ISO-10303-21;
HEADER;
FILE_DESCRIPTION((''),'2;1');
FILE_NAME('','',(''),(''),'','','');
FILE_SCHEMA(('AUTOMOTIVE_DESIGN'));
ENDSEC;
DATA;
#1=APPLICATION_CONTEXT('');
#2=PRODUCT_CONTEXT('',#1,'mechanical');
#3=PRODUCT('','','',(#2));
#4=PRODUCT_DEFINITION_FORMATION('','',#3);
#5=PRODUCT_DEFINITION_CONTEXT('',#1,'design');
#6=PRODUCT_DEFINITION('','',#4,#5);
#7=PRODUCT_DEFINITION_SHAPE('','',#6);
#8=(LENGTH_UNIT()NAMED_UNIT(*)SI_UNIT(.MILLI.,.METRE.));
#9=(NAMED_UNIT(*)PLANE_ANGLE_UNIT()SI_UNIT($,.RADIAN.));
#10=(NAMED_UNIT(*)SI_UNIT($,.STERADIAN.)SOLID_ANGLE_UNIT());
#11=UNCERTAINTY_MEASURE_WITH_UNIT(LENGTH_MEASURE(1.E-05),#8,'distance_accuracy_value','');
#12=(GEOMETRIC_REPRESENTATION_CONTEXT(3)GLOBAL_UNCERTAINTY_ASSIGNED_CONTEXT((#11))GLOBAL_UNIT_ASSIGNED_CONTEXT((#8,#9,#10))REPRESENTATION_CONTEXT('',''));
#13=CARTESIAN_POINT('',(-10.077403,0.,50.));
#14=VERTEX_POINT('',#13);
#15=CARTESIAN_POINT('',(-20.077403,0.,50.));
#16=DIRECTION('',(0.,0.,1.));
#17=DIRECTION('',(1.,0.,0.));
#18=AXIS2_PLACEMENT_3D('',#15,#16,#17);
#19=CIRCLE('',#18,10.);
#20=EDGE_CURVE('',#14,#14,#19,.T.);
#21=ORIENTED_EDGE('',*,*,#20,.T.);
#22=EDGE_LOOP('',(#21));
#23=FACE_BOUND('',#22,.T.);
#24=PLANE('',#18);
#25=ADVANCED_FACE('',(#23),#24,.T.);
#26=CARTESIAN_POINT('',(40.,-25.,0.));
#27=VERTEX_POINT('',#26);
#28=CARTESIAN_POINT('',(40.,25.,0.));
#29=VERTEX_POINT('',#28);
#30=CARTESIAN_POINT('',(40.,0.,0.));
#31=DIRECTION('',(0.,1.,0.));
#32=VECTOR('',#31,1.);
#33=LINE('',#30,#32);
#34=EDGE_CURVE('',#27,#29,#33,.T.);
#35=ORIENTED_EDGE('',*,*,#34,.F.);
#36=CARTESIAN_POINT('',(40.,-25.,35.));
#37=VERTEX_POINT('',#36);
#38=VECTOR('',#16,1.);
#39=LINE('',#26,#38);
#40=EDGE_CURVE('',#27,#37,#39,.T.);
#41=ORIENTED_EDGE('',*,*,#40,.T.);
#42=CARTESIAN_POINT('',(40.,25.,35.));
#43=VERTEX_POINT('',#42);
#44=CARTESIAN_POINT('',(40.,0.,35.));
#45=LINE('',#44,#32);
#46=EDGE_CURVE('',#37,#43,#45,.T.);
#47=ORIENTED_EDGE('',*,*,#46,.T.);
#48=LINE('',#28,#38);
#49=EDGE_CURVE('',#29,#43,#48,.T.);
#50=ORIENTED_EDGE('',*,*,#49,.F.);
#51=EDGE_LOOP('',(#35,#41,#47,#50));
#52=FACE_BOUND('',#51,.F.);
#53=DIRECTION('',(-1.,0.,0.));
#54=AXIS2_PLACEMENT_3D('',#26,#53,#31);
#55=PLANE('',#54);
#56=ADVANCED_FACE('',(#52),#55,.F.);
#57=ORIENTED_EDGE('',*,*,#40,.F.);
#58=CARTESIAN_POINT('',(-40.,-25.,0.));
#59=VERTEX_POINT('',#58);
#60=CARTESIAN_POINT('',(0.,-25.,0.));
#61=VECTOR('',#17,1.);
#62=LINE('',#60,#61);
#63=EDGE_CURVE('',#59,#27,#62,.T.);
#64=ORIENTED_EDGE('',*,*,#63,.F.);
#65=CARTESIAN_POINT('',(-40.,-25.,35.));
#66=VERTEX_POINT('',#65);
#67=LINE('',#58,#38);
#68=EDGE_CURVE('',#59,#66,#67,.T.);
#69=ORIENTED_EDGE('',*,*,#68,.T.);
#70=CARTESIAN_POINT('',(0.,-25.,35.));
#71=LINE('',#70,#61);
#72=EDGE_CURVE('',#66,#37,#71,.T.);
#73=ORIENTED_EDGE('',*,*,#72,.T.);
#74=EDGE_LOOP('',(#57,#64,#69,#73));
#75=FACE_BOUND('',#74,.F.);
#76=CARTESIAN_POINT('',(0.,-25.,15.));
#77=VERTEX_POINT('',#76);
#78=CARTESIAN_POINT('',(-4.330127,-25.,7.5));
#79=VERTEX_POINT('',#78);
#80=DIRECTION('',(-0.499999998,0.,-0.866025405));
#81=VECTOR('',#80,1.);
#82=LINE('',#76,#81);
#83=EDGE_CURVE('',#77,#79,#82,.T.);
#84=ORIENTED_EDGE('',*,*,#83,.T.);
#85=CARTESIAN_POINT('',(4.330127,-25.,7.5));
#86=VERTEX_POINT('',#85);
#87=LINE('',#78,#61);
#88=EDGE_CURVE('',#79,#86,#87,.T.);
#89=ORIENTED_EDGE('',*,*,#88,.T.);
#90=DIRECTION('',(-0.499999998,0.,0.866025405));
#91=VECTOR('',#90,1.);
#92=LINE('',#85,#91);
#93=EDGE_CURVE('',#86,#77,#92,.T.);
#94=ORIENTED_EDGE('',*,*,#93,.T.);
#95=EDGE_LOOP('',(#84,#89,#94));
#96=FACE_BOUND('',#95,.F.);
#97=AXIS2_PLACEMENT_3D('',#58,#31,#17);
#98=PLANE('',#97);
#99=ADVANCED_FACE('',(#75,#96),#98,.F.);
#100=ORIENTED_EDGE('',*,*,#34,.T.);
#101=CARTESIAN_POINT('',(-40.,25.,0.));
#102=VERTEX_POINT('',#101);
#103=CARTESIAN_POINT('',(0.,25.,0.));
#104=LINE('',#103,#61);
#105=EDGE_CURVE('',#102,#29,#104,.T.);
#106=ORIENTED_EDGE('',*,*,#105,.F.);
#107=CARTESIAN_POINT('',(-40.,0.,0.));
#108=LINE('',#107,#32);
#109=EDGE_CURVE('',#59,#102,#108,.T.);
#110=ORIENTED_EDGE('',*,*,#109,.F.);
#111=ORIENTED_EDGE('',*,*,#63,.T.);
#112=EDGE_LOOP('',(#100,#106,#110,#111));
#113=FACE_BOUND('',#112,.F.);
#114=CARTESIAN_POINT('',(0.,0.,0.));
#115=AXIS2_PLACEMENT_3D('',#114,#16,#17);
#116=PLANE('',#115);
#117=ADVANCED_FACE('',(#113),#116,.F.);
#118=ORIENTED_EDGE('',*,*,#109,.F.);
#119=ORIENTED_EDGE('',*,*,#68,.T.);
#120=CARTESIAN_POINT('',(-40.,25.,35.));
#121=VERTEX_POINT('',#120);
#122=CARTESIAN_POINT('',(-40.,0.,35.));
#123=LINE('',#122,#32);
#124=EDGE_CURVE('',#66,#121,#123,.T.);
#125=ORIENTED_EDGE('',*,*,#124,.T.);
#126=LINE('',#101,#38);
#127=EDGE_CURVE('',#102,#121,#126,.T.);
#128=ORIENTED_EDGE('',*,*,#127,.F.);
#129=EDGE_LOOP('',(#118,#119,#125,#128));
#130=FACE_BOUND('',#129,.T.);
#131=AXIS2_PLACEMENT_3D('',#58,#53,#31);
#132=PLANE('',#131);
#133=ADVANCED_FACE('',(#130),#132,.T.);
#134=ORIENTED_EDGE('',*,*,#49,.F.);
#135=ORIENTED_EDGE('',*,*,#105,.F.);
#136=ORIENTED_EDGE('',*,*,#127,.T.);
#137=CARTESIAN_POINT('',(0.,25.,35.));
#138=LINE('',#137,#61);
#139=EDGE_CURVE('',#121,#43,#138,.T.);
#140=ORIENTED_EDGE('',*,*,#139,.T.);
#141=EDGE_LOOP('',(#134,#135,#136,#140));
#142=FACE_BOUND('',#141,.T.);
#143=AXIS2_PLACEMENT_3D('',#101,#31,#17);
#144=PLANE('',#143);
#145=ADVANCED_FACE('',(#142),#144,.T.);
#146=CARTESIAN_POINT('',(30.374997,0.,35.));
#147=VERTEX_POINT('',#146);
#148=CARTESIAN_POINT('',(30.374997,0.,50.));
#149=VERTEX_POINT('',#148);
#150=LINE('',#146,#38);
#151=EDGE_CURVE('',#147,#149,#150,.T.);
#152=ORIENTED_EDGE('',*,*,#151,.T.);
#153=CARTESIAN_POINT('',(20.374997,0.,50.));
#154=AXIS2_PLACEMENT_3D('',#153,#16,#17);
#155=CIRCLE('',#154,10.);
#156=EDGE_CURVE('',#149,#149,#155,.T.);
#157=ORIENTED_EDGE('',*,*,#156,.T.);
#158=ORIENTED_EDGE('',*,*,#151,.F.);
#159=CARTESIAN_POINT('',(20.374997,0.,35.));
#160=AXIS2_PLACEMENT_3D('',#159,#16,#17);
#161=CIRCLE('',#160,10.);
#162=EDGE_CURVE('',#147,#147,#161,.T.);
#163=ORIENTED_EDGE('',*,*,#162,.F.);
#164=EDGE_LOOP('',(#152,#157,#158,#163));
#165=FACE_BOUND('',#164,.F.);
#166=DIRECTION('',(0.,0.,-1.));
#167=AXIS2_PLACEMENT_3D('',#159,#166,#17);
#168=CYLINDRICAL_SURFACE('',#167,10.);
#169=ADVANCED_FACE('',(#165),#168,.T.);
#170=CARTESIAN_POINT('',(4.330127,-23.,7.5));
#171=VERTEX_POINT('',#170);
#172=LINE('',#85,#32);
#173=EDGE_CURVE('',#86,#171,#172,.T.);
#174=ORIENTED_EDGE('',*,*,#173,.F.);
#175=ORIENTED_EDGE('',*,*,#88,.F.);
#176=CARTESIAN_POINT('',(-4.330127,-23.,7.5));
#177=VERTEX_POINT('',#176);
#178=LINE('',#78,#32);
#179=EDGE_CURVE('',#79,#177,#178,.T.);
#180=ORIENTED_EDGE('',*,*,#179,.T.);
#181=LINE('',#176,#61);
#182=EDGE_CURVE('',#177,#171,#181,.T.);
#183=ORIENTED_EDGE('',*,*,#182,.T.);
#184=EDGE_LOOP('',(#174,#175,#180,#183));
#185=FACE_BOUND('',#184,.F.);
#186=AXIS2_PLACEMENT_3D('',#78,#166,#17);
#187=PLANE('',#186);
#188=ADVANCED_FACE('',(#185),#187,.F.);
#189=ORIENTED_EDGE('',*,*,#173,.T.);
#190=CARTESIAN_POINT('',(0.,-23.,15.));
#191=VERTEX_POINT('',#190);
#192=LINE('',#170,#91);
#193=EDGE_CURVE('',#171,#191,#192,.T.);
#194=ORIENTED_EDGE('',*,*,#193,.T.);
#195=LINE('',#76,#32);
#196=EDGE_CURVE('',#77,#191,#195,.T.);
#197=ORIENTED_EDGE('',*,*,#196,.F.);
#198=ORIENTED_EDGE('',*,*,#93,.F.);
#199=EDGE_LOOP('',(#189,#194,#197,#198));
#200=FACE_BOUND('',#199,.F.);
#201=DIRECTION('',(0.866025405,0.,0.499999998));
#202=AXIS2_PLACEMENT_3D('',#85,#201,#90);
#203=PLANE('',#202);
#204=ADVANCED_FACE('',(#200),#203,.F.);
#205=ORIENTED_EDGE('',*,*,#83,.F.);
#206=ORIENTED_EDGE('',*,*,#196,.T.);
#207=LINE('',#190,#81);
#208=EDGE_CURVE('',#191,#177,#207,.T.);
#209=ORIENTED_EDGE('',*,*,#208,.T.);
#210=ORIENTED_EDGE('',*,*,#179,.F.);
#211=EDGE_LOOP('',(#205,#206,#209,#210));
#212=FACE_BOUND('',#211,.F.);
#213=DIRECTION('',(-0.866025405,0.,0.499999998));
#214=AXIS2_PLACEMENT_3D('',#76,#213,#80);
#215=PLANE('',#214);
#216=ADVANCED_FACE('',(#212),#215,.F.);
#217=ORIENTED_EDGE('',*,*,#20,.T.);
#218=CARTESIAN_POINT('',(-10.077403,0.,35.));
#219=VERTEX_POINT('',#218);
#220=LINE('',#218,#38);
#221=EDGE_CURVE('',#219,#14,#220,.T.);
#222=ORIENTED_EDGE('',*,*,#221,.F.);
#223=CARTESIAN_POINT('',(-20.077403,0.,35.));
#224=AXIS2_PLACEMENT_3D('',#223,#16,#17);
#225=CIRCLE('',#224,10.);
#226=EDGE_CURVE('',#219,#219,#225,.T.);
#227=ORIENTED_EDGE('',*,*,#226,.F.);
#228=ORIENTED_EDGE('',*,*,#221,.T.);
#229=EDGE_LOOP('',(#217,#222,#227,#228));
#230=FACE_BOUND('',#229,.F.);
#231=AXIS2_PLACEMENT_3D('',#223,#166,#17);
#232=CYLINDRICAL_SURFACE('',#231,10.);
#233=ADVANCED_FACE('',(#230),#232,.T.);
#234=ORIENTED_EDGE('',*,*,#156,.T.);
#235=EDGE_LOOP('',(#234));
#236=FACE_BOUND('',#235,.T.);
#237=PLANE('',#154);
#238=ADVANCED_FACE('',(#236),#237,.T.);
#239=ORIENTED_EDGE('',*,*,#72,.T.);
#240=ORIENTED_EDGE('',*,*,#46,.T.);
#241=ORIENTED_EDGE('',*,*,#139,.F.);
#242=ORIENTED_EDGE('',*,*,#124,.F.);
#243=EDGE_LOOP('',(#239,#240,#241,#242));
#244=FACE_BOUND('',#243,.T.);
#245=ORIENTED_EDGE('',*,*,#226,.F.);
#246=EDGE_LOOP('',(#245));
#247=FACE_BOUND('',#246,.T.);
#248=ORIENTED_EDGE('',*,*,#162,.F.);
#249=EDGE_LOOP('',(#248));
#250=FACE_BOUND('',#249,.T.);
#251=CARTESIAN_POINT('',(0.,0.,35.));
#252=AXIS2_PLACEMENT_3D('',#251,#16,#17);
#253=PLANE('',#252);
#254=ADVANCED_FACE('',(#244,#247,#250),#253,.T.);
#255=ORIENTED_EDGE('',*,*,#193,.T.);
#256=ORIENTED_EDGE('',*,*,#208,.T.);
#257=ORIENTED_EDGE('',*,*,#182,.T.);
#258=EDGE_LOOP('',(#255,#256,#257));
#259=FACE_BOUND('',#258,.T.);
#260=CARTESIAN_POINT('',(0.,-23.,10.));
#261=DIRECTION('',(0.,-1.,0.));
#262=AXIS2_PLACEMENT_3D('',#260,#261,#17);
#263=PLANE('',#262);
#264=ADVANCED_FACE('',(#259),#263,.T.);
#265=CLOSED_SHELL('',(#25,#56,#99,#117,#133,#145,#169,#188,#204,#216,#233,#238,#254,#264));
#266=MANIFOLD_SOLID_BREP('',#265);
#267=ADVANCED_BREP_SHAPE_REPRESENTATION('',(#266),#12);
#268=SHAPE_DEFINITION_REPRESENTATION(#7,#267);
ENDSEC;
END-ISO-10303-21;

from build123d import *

# Parameters (mm, degrees)
F0_W     = 80
F0_H     = 50
F1_DEPTH = 35
F3_DEPTH = 2
F4_R     = 10
F5_DEPTH = 15


with BuildPart() as f1:
    # F0 (on Top) → F1 (new body)
    with BuildSketch(Plane.XY):
        Rectangle(F0_W, F0_H)
    extrude(amount=F1_DEPTH)

    # F2 (on face) → F3 (cut)
    with BuildSketch(Plane.XZ.offset(25)):
        Polygon((0, 15), (-4.330127, 7.5), (4.330127, 7.5), align=None)
    extrude(amount=-F3_DEPTH, mode=Mode.SUBTRACT)

    # F4 (on face) → F5 (join)
    with BuildSketch(Plane.XY.offset(35)):
        with Locations((-20.077403, 0)):
            Circle(F4_R)
        with Locations((20.374997, 0)):
            Circle(F4_R)
    extrude(amount=F5_DEPTH)


solid = f1.part
